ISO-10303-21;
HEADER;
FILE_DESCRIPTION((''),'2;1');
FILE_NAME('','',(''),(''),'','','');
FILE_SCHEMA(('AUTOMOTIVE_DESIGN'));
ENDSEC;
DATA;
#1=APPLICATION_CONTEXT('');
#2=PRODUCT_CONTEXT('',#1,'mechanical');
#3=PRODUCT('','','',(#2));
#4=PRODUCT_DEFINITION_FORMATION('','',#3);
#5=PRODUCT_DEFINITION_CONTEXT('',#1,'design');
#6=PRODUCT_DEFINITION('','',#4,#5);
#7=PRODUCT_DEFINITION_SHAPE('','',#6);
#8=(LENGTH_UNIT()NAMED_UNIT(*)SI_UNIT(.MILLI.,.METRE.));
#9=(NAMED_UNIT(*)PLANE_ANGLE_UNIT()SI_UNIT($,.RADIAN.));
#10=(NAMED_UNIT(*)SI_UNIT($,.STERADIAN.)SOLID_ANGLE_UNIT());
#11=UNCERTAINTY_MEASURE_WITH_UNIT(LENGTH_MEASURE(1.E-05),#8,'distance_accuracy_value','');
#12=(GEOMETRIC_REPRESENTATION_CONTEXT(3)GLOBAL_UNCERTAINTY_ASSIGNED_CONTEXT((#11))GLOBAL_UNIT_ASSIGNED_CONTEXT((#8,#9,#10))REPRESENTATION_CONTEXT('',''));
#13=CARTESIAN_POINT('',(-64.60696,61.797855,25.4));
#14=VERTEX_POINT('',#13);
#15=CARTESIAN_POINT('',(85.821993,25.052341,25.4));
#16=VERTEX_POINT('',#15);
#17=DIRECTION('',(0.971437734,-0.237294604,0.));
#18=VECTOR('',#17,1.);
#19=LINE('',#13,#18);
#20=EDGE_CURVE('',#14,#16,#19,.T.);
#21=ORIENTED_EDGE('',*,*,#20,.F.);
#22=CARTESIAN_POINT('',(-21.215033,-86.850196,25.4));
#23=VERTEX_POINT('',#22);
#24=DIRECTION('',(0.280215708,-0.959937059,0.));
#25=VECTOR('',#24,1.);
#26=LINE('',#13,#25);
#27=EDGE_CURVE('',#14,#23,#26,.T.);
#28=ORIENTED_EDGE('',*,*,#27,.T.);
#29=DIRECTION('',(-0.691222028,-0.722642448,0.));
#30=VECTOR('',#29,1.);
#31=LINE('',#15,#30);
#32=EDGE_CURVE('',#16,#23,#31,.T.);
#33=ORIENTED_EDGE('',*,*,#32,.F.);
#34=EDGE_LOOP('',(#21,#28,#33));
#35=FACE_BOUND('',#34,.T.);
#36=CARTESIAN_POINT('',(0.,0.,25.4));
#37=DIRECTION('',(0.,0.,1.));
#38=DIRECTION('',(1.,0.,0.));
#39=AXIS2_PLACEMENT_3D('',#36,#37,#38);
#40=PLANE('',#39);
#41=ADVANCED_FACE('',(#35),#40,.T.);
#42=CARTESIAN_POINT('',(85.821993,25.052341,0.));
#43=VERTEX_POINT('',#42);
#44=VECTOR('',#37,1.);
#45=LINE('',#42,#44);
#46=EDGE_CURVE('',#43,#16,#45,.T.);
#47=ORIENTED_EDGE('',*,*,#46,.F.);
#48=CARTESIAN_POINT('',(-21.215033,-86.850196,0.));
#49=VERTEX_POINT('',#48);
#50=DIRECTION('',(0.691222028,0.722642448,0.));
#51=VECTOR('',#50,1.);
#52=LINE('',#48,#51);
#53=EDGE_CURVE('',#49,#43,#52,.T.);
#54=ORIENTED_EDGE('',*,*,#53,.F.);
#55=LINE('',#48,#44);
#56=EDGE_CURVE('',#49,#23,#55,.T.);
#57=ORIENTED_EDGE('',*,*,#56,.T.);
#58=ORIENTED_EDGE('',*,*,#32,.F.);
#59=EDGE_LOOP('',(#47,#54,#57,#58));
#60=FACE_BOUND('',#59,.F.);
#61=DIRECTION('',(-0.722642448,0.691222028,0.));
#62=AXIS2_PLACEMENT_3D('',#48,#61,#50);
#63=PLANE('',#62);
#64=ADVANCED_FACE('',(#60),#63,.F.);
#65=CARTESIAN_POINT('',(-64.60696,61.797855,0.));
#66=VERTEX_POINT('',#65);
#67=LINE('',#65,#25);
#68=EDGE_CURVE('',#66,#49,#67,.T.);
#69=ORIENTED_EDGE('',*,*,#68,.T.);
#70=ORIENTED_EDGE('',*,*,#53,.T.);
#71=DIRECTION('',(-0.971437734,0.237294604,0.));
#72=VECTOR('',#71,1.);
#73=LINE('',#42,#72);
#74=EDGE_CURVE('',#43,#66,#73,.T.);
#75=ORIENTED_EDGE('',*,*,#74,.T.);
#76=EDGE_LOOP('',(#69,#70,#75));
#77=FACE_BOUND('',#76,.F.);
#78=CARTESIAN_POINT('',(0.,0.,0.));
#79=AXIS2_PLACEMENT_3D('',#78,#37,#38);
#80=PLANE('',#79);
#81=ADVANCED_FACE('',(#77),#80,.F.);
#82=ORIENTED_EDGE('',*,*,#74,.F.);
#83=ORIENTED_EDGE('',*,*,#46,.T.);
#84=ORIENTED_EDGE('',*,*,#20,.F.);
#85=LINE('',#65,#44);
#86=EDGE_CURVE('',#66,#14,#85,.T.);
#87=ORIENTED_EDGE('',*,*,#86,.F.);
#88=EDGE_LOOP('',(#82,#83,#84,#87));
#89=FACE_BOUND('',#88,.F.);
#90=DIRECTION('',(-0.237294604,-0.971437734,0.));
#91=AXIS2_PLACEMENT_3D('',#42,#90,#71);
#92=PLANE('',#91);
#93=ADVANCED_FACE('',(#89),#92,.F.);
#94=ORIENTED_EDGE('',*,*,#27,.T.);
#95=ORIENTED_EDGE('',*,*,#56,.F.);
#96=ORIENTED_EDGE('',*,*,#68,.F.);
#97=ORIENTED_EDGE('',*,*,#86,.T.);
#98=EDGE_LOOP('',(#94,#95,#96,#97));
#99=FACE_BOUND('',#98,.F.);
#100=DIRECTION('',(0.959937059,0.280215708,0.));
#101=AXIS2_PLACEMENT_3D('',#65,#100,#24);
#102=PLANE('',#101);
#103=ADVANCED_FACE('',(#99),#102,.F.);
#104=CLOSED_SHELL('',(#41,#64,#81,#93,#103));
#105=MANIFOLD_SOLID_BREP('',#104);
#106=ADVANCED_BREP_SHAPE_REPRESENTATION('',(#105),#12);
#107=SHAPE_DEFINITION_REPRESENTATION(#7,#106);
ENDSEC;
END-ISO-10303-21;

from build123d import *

# Parameters (mm, degrees)
F1_DEPTH = 25.4
F3_DEPTH = 1.27


with BuildPart() as f1:
    # F0 (on Top) → F1 (new body)
    with BuildSketch(Plane.XY):
        Polygon((85.821993, 25.052341), (-64.60696, 61.797855), (-21.215033, -86.850196), align=None)
    extrude(amount=F1_DEPTH)

    # F2 (on face) → F3 (cut)
    with BuildSketch(Plane.XY.offset(25.4)):
        Polygon((32.30348, -30.898928), (10.607516, 43.425098), (-42.910996, -12.52617), align=None)
    extrude(amount=F3_DEPTH, mode=Mode.SUBTRACT)


solid = f1.part
